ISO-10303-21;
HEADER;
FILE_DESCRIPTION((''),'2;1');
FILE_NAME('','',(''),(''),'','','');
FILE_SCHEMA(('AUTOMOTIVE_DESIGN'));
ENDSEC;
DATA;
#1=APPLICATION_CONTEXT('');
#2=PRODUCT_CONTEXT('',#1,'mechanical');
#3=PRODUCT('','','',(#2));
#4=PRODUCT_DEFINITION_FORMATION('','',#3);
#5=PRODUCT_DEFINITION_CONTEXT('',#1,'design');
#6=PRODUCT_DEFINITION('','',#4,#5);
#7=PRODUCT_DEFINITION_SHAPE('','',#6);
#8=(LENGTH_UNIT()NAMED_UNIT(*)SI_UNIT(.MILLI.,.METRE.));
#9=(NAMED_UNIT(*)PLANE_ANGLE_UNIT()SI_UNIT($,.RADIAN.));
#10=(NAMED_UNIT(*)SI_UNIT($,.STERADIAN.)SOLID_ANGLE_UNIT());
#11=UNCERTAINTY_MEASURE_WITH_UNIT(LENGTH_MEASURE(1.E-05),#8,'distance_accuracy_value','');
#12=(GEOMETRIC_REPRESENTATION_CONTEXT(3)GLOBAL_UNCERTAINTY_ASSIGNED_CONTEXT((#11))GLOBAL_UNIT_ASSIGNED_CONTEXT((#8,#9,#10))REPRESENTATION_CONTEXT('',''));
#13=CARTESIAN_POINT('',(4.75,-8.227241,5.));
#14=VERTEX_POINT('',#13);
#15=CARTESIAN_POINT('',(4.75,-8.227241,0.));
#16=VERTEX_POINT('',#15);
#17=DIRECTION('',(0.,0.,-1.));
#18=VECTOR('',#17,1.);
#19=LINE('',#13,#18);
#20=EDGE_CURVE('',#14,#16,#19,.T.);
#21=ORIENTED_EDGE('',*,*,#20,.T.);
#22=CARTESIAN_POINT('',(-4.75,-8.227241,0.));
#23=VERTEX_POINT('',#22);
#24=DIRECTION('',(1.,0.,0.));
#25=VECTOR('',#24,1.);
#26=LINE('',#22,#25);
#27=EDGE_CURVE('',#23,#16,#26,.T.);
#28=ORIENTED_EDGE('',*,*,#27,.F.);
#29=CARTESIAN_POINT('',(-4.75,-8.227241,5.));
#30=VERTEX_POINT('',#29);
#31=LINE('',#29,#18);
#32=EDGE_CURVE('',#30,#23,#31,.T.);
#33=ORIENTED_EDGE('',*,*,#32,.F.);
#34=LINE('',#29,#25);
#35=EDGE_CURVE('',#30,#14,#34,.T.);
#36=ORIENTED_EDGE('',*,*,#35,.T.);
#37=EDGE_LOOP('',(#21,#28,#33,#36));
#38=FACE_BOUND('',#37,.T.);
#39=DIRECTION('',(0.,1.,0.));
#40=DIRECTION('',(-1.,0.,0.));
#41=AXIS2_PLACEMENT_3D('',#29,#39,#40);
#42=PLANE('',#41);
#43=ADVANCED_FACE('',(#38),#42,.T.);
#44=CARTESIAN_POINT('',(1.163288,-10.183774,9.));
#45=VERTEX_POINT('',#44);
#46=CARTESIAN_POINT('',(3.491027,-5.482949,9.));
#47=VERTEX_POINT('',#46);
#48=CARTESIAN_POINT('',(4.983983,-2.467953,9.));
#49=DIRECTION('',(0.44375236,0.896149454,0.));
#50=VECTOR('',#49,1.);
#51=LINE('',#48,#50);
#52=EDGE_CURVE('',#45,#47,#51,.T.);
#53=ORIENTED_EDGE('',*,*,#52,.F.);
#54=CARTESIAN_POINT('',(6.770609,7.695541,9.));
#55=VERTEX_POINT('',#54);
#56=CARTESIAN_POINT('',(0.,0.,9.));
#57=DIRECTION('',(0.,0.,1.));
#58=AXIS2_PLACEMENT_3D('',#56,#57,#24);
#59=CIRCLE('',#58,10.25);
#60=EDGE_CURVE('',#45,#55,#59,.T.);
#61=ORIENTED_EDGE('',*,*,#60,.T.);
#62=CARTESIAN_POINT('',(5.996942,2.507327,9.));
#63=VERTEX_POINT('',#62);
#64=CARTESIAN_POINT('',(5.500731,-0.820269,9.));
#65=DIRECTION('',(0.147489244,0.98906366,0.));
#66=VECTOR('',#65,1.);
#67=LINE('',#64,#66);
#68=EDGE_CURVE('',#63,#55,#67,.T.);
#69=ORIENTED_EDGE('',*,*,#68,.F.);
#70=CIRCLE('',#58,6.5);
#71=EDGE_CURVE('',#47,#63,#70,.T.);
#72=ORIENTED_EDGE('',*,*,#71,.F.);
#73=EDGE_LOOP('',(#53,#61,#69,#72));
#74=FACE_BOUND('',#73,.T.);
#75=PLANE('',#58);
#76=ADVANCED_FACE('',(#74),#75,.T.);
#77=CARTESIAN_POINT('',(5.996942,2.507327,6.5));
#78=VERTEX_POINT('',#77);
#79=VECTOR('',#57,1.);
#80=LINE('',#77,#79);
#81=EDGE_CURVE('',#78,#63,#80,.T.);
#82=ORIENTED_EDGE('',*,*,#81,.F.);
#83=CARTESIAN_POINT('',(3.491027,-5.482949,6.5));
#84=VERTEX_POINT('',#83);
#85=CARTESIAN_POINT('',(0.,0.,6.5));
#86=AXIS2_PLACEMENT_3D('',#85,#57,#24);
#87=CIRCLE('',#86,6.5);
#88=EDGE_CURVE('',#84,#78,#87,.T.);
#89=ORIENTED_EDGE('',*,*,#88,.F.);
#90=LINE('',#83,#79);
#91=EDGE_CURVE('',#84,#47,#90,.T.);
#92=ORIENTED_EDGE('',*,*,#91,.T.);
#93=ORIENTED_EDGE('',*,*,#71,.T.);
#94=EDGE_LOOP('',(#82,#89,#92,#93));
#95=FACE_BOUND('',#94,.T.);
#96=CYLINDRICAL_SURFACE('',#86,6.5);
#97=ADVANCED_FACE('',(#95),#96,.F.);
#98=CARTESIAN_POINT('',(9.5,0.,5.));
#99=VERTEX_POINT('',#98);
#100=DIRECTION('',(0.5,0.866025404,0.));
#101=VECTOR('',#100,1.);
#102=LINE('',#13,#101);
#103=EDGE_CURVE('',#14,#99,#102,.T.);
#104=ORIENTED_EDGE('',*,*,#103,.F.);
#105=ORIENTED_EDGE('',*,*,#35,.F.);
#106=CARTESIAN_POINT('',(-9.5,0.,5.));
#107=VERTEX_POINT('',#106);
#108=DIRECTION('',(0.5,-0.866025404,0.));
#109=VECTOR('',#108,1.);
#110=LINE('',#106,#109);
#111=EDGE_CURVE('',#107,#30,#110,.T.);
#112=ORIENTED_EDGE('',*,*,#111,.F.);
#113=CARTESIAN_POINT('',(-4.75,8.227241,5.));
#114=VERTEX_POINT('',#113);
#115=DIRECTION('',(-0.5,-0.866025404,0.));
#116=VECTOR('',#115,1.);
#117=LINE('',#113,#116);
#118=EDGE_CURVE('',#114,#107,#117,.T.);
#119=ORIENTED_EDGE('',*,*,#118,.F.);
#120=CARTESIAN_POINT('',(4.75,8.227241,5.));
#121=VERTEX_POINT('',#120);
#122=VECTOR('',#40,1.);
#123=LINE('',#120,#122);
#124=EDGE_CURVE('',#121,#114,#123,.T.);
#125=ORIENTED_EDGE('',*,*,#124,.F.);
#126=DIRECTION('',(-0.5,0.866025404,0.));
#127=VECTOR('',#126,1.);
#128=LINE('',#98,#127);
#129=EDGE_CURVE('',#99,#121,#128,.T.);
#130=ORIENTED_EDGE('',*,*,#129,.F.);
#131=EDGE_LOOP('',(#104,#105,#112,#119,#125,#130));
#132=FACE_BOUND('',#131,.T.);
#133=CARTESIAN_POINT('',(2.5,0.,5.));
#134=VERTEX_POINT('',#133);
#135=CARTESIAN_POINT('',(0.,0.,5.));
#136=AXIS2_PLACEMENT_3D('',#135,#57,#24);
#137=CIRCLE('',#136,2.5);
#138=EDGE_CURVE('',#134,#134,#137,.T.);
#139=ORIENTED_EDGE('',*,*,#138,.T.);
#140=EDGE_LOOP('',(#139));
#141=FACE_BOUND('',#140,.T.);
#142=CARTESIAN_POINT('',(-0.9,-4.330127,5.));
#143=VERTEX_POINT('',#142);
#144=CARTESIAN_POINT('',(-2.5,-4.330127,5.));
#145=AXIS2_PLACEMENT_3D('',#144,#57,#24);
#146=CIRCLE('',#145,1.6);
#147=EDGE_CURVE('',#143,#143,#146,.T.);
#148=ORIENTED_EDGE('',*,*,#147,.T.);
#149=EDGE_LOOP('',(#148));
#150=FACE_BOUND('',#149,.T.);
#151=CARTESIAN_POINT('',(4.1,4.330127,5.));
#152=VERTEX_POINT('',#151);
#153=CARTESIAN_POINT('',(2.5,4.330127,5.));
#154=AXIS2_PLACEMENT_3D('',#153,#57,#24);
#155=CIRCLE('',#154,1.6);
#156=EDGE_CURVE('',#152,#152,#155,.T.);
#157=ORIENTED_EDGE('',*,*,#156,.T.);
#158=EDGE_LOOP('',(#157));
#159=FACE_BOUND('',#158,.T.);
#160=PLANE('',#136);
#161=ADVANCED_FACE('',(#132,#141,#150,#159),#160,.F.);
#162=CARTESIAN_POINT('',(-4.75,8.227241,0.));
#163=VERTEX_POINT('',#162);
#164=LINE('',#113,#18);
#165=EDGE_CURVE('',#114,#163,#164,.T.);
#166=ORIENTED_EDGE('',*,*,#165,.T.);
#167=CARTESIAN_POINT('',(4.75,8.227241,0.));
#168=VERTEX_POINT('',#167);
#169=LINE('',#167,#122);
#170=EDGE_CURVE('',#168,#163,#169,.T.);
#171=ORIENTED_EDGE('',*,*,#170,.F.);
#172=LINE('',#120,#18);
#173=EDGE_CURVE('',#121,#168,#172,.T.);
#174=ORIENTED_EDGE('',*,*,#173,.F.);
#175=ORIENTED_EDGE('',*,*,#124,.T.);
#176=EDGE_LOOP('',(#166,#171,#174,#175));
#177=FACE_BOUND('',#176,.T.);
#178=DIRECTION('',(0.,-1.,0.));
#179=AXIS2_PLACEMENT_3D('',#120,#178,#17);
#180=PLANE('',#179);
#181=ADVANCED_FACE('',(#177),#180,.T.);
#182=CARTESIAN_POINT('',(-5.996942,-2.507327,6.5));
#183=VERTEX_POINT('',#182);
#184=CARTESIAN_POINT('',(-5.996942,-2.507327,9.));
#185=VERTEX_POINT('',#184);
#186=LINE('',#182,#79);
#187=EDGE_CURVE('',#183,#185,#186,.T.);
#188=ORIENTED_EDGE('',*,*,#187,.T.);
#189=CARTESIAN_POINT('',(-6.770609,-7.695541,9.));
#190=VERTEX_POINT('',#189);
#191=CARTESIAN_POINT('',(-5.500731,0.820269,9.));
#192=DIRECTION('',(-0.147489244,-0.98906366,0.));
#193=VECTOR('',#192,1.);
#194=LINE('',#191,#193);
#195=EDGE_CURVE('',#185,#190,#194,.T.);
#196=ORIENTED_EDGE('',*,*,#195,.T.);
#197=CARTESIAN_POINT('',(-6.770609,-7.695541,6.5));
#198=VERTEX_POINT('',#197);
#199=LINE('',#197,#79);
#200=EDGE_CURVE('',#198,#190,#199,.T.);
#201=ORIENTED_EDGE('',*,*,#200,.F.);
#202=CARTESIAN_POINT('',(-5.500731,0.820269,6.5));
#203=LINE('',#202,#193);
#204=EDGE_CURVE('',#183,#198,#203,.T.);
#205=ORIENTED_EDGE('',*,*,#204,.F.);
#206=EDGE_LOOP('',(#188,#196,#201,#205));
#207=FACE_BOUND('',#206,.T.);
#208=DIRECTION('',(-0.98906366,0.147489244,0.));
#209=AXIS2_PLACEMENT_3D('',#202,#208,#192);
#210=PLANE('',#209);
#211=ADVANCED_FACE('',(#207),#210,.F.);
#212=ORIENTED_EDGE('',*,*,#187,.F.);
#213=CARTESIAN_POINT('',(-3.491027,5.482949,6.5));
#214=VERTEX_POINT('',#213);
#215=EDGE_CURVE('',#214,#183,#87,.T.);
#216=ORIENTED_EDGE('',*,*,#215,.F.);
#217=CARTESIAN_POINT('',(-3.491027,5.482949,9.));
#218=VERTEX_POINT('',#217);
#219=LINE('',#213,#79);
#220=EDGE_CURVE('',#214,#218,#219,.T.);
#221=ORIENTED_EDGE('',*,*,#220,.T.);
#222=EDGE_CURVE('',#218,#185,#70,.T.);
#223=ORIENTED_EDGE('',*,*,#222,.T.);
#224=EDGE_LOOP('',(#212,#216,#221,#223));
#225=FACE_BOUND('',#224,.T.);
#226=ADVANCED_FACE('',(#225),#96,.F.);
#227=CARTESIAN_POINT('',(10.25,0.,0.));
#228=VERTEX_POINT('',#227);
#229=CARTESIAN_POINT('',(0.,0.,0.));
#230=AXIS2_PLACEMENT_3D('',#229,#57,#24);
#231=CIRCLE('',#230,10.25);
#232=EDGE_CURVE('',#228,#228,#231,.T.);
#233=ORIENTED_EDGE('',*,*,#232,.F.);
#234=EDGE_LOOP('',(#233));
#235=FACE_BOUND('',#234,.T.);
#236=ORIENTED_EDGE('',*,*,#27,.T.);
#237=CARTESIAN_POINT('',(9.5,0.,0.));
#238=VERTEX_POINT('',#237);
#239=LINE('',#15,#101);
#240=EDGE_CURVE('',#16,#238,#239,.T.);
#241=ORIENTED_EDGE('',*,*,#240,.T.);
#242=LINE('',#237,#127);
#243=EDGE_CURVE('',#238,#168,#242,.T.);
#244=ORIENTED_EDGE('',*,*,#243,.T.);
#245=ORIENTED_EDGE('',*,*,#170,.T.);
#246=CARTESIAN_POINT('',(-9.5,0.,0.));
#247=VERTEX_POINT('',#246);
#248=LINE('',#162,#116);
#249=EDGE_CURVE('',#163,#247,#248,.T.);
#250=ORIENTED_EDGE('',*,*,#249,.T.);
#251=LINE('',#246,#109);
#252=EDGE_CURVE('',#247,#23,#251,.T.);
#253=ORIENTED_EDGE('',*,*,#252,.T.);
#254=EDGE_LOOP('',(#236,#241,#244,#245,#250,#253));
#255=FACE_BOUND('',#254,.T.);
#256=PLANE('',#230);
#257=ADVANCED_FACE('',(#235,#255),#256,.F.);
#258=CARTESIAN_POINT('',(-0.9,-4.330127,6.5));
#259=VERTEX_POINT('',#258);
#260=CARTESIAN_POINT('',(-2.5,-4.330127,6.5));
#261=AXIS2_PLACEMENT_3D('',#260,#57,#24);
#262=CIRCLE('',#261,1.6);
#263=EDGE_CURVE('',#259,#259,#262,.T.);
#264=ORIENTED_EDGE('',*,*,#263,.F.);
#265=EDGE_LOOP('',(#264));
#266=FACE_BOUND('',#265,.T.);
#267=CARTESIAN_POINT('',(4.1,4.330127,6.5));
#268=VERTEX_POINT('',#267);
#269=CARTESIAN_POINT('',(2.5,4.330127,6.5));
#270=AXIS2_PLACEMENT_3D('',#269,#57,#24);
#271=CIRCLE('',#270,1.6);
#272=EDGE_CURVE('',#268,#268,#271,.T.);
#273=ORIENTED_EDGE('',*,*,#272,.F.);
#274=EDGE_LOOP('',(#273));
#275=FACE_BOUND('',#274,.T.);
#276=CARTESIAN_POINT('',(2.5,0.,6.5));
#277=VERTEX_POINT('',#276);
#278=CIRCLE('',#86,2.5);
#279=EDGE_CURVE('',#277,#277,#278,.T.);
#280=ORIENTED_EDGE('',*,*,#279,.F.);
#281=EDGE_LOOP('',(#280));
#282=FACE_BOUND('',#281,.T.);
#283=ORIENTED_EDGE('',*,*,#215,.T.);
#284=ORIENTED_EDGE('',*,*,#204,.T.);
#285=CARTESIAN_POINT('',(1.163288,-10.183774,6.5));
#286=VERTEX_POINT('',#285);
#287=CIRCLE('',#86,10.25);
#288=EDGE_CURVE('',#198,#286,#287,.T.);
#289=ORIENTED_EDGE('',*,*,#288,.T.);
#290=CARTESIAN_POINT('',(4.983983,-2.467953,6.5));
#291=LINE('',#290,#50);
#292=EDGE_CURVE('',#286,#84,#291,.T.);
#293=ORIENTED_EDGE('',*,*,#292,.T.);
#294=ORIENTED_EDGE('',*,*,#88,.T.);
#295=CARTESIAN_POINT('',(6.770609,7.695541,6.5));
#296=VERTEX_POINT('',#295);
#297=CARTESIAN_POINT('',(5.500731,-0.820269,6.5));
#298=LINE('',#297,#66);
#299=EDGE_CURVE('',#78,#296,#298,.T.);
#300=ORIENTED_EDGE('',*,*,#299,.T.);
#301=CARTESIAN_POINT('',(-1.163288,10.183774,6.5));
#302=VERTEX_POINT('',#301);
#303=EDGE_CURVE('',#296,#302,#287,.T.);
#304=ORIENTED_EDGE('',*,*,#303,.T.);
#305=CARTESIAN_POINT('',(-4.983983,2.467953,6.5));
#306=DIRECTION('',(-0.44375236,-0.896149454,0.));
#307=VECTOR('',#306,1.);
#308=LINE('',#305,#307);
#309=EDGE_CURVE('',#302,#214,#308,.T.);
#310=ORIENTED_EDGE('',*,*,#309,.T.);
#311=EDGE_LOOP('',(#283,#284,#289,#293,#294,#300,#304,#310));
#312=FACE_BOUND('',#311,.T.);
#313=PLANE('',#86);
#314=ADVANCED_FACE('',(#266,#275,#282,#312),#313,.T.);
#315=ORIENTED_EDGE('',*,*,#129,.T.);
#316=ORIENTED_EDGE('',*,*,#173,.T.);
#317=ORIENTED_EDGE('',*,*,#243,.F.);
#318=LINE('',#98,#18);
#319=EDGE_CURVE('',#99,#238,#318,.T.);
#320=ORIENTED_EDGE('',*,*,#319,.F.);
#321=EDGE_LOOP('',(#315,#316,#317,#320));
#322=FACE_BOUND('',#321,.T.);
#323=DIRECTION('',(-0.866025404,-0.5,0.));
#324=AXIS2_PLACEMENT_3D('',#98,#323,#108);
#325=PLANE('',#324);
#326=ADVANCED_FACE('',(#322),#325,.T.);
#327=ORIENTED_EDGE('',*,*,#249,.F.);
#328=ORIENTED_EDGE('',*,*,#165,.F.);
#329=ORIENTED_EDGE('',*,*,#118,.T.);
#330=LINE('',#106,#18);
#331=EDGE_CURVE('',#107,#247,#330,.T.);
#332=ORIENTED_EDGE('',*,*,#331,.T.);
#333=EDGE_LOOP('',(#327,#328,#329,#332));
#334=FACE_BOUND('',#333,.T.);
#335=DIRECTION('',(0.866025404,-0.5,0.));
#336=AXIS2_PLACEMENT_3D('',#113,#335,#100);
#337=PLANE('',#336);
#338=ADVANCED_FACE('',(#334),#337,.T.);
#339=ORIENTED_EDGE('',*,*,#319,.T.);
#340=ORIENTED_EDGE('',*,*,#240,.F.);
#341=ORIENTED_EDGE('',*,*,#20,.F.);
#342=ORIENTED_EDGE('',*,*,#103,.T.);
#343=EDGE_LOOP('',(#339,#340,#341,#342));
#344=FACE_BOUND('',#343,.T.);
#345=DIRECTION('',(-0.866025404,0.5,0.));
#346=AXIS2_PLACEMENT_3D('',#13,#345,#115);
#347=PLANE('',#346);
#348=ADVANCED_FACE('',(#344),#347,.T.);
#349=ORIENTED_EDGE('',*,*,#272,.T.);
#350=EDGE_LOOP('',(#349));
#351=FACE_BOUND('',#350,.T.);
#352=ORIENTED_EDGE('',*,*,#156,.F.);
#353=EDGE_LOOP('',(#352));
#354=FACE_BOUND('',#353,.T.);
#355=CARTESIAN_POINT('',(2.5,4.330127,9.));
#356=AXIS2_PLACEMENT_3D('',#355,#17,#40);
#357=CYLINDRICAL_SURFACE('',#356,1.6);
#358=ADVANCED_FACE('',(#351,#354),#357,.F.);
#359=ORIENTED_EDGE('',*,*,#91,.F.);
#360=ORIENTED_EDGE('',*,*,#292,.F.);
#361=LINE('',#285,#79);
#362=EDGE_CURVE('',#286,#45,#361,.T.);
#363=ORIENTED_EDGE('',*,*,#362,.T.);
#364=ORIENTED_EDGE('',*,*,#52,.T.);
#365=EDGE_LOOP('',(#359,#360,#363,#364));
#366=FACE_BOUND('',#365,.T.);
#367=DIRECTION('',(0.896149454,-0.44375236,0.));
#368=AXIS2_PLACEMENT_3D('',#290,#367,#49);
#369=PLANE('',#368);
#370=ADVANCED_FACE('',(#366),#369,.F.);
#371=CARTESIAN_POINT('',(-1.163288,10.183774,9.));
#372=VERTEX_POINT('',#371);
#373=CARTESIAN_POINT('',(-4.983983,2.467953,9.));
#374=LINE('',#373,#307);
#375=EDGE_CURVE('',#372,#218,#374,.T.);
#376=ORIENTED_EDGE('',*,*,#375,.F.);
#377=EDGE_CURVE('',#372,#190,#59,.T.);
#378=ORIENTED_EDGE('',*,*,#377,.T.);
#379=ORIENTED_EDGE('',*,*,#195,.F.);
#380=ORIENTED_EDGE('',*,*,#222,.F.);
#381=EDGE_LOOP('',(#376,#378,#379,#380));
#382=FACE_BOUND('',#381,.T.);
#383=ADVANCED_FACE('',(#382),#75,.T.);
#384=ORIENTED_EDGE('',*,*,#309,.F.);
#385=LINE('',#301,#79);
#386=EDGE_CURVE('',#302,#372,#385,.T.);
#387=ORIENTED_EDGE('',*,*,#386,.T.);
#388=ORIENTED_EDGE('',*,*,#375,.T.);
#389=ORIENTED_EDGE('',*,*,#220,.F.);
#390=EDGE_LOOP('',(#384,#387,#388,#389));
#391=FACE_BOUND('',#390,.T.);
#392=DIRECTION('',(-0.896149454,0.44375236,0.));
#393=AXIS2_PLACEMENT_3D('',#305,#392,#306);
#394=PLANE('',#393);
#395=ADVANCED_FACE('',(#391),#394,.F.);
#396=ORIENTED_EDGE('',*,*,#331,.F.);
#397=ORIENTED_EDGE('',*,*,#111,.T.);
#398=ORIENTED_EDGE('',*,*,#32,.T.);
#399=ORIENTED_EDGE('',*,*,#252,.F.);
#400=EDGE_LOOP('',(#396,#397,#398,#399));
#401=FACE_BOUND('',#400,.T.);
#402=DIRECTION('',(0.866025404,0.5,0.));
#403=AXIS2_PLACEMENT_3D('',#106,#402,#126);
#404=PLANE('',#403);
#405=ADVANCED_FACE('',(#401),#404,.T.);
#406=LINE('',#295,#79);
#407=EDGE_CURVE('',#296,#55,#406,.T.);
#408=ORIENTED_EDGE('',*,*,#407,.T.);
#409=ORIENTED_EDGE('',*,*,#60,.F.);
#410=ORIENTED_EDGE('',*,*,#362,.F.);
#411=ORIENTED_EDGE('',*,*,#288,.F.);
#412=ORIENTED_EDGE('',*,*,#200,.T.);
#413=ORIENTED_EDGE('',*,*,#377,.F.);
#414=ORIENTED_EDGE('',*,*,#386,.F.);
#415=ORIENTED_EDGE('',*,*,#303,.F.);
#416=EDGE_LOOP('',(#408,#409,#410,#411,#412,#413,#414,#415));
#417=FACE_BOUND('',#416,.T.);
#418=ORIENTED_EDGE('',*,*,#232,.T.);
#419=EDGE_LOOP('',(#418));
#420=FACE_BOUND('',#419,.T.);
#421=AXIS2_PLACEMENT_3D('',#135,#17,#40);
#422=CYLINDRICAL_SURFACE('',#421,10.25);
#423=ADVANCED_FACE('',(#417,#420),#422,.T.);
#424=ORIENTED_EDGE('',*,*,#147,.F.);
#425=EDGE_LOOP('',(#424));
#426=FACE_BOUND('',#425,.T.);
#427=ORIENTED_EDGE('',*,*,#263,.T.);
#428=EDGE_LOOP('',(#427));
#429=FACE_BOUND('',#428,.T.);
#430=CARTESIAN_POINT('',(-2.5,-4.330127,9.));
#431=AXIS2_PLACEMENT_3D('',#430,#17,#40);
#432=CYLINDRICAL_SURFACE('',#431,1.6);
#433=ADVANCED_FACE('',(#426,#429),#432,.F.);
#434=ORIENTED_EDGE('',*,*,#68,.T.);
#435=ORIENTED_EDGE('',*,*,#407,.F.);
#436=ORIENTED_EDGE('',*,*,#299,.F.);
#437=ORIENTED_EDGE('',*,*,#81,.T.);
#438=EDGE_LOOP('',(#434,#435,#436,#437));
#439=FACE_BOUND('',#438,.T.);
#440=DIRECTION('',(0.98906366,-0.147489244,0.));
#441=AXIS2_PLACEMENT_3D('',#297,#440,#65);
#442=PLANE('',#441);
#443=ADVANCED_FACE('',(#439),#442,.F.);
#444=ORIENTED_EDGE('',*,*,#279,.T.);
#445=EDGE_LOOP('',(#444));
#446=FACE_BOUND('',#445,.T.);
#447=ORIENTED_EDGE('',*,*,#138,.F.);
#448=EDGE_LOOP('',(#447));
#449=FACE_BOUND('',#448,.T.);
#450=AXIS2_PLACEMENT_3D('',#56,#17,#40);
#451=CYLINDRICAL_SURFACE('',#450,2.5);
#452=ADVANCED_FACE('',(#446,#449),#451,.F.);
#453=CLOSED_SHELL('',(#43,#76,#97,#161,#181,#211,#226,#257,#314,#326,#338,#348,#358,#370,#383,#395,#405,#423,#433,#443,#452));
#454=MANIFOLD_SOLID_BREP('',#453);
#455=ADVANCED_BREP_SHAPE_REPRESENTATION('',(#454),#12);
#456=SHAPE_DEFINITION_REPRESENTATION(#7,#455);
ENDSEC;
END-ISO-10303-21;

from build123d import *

# Parameters (mm, degrees)
SKETCH1_R               = 10.25
BOSS_EXTRUDE1_DEPTH     = 5
SKETCH2_R               = 10.25
BOSS_EXTRUDE2_DEPTH     = 4
CUT_EXTRUDE1_DEPTH      = 18.062385531
CUT_EXTRUDE1_DEPTH_BACK = 2.5
CUT_EXTRUDE2_DEPTH      = 16.333786225
CUT_EXTRUDE2_DEPTH_BACK = 16.333786225
SKETCH4_R               = 1.6
CUT_EXTRUDE3_DEPTH      = 16.333786225
CUT_EXTRUDE3_DEPTH_BACK = 16.333786225
SKETCH5_R               = 2.5


with BuildPart() as part:
    # Sketch1 → Boss-Extrude1 (new body)
    with BuildSketch(Plane.XY):
        Circle(SKETCH1_R)
        Polygon((4.75, 8.227241336), (-4.75, 8.227241336), (-9.5, 0), (-4.75, -8.227241336), (4.75, -8.227241336), (9.5, 0), align=None, mode=Mode.SUBTRACT)
    extrude(amount=BOSS_EXTRUDE1_DEPTH)

    # Sketch2 → Boss-Extrude2 (add)
    with BuildSketch(Plane.XY.offset(5)):
        Circle(SKETCH2_R)
    extrude(amount=BOSS_EXTRUDE2_DEPTH)

    # Sketch3 → Cut-Extrude1 (cut, two sides: drawn at the far end of the back side and taken through both)
    with BuildSketch(Plane.XY.offset(9).offset(-CUT_EXTRUDE1_DEPTH_BACK)):
        with BuildLine():
            ThreePointArc((-3.491027293, 5.482948882), (-6.202138006, 1.94511803), (-5.996942005, -2.507326583))
            Line((-5.996942005, -2.507326583), (-6.770608941, -7.695541213))
            ThreePointArc((-6.770608941, -7.695541213), (-3.067301509, -9.780294548), (1.163287858, -10.183774416))
            Line((1.163287858, -10.183774416), (3.491027293, -5.482948882))
            ThreePointArc((3.491027293, -5.482948882), (6.202138006, -1.94511803), (5.996942005, 2.507326583))
            Line((5.996942005, 2.507326583), (6.770608941, 7.695541213))
            ThreePointArc((6.770608941, 7.695541213), (6.548360484, 7.885523126), (6.32078374, 8.069088728))
            ThreePointArc((6.32078374, 8.069088728), (2.787097923, 9.86380176), (-1.163287858, 10.183774416))
            Line((-1.163287858, 10.183774416), (-3.491027293, 5.482948882))
        make_face()
    extrude(amount=CUT_EXTRUDE1_DEPTH + CUT_EXTRUDE1_DEPTH_BACK, mode=Mode.SUBTRACT)

    # Sketch4 → Cut-Extrude2 (cut, two sides: drawn at the far end of the back side and taken through both)
    with BuildSketch(Plane(origin=(0, 0, 5), x_dir=(-1, 0, 0), z_dir=(0, 0, -1)).offset(-CUT_EXTRUDE2_DEPTH_BACK)):
        with Locations(Location((2.5, -4.330127019, 0), (0, 0, 180))):
            Circle(SKETCH4_R)
        with Locations(Location((-2.5, 4.330127019, 0), (0, 0, 180))):
            Circle(SKETCH4_R)
    extrude(amount=CUT_EXTRUDE2_DEPTH + CUT_EXTRUDE2_DEPTH_BACK, mode=Mode.SUBTRACT)

    # Sketch5 → Cut-Extrude3 (cut, two sides: drawn at the far end of the back side and taken through both)
    with BuildSketch(Plane(origin=(0, 0, 5), x_dir=(-1, 0, 0), z_dir=(0, 0, -1)).offset(-CUT_EXTRUDE3_DEPTH_BACK)):
        with Locations(Location((0, 0, 0), (0, 0, 180))):
            Circle(SKETCH5_R)
    extrude(amount=CUT_EXTRUDE3_DEPTH + CUT_EXTRUDE3_DEPTH_BACK, mode=Mode.SUBTRACT)


solid = part.part
